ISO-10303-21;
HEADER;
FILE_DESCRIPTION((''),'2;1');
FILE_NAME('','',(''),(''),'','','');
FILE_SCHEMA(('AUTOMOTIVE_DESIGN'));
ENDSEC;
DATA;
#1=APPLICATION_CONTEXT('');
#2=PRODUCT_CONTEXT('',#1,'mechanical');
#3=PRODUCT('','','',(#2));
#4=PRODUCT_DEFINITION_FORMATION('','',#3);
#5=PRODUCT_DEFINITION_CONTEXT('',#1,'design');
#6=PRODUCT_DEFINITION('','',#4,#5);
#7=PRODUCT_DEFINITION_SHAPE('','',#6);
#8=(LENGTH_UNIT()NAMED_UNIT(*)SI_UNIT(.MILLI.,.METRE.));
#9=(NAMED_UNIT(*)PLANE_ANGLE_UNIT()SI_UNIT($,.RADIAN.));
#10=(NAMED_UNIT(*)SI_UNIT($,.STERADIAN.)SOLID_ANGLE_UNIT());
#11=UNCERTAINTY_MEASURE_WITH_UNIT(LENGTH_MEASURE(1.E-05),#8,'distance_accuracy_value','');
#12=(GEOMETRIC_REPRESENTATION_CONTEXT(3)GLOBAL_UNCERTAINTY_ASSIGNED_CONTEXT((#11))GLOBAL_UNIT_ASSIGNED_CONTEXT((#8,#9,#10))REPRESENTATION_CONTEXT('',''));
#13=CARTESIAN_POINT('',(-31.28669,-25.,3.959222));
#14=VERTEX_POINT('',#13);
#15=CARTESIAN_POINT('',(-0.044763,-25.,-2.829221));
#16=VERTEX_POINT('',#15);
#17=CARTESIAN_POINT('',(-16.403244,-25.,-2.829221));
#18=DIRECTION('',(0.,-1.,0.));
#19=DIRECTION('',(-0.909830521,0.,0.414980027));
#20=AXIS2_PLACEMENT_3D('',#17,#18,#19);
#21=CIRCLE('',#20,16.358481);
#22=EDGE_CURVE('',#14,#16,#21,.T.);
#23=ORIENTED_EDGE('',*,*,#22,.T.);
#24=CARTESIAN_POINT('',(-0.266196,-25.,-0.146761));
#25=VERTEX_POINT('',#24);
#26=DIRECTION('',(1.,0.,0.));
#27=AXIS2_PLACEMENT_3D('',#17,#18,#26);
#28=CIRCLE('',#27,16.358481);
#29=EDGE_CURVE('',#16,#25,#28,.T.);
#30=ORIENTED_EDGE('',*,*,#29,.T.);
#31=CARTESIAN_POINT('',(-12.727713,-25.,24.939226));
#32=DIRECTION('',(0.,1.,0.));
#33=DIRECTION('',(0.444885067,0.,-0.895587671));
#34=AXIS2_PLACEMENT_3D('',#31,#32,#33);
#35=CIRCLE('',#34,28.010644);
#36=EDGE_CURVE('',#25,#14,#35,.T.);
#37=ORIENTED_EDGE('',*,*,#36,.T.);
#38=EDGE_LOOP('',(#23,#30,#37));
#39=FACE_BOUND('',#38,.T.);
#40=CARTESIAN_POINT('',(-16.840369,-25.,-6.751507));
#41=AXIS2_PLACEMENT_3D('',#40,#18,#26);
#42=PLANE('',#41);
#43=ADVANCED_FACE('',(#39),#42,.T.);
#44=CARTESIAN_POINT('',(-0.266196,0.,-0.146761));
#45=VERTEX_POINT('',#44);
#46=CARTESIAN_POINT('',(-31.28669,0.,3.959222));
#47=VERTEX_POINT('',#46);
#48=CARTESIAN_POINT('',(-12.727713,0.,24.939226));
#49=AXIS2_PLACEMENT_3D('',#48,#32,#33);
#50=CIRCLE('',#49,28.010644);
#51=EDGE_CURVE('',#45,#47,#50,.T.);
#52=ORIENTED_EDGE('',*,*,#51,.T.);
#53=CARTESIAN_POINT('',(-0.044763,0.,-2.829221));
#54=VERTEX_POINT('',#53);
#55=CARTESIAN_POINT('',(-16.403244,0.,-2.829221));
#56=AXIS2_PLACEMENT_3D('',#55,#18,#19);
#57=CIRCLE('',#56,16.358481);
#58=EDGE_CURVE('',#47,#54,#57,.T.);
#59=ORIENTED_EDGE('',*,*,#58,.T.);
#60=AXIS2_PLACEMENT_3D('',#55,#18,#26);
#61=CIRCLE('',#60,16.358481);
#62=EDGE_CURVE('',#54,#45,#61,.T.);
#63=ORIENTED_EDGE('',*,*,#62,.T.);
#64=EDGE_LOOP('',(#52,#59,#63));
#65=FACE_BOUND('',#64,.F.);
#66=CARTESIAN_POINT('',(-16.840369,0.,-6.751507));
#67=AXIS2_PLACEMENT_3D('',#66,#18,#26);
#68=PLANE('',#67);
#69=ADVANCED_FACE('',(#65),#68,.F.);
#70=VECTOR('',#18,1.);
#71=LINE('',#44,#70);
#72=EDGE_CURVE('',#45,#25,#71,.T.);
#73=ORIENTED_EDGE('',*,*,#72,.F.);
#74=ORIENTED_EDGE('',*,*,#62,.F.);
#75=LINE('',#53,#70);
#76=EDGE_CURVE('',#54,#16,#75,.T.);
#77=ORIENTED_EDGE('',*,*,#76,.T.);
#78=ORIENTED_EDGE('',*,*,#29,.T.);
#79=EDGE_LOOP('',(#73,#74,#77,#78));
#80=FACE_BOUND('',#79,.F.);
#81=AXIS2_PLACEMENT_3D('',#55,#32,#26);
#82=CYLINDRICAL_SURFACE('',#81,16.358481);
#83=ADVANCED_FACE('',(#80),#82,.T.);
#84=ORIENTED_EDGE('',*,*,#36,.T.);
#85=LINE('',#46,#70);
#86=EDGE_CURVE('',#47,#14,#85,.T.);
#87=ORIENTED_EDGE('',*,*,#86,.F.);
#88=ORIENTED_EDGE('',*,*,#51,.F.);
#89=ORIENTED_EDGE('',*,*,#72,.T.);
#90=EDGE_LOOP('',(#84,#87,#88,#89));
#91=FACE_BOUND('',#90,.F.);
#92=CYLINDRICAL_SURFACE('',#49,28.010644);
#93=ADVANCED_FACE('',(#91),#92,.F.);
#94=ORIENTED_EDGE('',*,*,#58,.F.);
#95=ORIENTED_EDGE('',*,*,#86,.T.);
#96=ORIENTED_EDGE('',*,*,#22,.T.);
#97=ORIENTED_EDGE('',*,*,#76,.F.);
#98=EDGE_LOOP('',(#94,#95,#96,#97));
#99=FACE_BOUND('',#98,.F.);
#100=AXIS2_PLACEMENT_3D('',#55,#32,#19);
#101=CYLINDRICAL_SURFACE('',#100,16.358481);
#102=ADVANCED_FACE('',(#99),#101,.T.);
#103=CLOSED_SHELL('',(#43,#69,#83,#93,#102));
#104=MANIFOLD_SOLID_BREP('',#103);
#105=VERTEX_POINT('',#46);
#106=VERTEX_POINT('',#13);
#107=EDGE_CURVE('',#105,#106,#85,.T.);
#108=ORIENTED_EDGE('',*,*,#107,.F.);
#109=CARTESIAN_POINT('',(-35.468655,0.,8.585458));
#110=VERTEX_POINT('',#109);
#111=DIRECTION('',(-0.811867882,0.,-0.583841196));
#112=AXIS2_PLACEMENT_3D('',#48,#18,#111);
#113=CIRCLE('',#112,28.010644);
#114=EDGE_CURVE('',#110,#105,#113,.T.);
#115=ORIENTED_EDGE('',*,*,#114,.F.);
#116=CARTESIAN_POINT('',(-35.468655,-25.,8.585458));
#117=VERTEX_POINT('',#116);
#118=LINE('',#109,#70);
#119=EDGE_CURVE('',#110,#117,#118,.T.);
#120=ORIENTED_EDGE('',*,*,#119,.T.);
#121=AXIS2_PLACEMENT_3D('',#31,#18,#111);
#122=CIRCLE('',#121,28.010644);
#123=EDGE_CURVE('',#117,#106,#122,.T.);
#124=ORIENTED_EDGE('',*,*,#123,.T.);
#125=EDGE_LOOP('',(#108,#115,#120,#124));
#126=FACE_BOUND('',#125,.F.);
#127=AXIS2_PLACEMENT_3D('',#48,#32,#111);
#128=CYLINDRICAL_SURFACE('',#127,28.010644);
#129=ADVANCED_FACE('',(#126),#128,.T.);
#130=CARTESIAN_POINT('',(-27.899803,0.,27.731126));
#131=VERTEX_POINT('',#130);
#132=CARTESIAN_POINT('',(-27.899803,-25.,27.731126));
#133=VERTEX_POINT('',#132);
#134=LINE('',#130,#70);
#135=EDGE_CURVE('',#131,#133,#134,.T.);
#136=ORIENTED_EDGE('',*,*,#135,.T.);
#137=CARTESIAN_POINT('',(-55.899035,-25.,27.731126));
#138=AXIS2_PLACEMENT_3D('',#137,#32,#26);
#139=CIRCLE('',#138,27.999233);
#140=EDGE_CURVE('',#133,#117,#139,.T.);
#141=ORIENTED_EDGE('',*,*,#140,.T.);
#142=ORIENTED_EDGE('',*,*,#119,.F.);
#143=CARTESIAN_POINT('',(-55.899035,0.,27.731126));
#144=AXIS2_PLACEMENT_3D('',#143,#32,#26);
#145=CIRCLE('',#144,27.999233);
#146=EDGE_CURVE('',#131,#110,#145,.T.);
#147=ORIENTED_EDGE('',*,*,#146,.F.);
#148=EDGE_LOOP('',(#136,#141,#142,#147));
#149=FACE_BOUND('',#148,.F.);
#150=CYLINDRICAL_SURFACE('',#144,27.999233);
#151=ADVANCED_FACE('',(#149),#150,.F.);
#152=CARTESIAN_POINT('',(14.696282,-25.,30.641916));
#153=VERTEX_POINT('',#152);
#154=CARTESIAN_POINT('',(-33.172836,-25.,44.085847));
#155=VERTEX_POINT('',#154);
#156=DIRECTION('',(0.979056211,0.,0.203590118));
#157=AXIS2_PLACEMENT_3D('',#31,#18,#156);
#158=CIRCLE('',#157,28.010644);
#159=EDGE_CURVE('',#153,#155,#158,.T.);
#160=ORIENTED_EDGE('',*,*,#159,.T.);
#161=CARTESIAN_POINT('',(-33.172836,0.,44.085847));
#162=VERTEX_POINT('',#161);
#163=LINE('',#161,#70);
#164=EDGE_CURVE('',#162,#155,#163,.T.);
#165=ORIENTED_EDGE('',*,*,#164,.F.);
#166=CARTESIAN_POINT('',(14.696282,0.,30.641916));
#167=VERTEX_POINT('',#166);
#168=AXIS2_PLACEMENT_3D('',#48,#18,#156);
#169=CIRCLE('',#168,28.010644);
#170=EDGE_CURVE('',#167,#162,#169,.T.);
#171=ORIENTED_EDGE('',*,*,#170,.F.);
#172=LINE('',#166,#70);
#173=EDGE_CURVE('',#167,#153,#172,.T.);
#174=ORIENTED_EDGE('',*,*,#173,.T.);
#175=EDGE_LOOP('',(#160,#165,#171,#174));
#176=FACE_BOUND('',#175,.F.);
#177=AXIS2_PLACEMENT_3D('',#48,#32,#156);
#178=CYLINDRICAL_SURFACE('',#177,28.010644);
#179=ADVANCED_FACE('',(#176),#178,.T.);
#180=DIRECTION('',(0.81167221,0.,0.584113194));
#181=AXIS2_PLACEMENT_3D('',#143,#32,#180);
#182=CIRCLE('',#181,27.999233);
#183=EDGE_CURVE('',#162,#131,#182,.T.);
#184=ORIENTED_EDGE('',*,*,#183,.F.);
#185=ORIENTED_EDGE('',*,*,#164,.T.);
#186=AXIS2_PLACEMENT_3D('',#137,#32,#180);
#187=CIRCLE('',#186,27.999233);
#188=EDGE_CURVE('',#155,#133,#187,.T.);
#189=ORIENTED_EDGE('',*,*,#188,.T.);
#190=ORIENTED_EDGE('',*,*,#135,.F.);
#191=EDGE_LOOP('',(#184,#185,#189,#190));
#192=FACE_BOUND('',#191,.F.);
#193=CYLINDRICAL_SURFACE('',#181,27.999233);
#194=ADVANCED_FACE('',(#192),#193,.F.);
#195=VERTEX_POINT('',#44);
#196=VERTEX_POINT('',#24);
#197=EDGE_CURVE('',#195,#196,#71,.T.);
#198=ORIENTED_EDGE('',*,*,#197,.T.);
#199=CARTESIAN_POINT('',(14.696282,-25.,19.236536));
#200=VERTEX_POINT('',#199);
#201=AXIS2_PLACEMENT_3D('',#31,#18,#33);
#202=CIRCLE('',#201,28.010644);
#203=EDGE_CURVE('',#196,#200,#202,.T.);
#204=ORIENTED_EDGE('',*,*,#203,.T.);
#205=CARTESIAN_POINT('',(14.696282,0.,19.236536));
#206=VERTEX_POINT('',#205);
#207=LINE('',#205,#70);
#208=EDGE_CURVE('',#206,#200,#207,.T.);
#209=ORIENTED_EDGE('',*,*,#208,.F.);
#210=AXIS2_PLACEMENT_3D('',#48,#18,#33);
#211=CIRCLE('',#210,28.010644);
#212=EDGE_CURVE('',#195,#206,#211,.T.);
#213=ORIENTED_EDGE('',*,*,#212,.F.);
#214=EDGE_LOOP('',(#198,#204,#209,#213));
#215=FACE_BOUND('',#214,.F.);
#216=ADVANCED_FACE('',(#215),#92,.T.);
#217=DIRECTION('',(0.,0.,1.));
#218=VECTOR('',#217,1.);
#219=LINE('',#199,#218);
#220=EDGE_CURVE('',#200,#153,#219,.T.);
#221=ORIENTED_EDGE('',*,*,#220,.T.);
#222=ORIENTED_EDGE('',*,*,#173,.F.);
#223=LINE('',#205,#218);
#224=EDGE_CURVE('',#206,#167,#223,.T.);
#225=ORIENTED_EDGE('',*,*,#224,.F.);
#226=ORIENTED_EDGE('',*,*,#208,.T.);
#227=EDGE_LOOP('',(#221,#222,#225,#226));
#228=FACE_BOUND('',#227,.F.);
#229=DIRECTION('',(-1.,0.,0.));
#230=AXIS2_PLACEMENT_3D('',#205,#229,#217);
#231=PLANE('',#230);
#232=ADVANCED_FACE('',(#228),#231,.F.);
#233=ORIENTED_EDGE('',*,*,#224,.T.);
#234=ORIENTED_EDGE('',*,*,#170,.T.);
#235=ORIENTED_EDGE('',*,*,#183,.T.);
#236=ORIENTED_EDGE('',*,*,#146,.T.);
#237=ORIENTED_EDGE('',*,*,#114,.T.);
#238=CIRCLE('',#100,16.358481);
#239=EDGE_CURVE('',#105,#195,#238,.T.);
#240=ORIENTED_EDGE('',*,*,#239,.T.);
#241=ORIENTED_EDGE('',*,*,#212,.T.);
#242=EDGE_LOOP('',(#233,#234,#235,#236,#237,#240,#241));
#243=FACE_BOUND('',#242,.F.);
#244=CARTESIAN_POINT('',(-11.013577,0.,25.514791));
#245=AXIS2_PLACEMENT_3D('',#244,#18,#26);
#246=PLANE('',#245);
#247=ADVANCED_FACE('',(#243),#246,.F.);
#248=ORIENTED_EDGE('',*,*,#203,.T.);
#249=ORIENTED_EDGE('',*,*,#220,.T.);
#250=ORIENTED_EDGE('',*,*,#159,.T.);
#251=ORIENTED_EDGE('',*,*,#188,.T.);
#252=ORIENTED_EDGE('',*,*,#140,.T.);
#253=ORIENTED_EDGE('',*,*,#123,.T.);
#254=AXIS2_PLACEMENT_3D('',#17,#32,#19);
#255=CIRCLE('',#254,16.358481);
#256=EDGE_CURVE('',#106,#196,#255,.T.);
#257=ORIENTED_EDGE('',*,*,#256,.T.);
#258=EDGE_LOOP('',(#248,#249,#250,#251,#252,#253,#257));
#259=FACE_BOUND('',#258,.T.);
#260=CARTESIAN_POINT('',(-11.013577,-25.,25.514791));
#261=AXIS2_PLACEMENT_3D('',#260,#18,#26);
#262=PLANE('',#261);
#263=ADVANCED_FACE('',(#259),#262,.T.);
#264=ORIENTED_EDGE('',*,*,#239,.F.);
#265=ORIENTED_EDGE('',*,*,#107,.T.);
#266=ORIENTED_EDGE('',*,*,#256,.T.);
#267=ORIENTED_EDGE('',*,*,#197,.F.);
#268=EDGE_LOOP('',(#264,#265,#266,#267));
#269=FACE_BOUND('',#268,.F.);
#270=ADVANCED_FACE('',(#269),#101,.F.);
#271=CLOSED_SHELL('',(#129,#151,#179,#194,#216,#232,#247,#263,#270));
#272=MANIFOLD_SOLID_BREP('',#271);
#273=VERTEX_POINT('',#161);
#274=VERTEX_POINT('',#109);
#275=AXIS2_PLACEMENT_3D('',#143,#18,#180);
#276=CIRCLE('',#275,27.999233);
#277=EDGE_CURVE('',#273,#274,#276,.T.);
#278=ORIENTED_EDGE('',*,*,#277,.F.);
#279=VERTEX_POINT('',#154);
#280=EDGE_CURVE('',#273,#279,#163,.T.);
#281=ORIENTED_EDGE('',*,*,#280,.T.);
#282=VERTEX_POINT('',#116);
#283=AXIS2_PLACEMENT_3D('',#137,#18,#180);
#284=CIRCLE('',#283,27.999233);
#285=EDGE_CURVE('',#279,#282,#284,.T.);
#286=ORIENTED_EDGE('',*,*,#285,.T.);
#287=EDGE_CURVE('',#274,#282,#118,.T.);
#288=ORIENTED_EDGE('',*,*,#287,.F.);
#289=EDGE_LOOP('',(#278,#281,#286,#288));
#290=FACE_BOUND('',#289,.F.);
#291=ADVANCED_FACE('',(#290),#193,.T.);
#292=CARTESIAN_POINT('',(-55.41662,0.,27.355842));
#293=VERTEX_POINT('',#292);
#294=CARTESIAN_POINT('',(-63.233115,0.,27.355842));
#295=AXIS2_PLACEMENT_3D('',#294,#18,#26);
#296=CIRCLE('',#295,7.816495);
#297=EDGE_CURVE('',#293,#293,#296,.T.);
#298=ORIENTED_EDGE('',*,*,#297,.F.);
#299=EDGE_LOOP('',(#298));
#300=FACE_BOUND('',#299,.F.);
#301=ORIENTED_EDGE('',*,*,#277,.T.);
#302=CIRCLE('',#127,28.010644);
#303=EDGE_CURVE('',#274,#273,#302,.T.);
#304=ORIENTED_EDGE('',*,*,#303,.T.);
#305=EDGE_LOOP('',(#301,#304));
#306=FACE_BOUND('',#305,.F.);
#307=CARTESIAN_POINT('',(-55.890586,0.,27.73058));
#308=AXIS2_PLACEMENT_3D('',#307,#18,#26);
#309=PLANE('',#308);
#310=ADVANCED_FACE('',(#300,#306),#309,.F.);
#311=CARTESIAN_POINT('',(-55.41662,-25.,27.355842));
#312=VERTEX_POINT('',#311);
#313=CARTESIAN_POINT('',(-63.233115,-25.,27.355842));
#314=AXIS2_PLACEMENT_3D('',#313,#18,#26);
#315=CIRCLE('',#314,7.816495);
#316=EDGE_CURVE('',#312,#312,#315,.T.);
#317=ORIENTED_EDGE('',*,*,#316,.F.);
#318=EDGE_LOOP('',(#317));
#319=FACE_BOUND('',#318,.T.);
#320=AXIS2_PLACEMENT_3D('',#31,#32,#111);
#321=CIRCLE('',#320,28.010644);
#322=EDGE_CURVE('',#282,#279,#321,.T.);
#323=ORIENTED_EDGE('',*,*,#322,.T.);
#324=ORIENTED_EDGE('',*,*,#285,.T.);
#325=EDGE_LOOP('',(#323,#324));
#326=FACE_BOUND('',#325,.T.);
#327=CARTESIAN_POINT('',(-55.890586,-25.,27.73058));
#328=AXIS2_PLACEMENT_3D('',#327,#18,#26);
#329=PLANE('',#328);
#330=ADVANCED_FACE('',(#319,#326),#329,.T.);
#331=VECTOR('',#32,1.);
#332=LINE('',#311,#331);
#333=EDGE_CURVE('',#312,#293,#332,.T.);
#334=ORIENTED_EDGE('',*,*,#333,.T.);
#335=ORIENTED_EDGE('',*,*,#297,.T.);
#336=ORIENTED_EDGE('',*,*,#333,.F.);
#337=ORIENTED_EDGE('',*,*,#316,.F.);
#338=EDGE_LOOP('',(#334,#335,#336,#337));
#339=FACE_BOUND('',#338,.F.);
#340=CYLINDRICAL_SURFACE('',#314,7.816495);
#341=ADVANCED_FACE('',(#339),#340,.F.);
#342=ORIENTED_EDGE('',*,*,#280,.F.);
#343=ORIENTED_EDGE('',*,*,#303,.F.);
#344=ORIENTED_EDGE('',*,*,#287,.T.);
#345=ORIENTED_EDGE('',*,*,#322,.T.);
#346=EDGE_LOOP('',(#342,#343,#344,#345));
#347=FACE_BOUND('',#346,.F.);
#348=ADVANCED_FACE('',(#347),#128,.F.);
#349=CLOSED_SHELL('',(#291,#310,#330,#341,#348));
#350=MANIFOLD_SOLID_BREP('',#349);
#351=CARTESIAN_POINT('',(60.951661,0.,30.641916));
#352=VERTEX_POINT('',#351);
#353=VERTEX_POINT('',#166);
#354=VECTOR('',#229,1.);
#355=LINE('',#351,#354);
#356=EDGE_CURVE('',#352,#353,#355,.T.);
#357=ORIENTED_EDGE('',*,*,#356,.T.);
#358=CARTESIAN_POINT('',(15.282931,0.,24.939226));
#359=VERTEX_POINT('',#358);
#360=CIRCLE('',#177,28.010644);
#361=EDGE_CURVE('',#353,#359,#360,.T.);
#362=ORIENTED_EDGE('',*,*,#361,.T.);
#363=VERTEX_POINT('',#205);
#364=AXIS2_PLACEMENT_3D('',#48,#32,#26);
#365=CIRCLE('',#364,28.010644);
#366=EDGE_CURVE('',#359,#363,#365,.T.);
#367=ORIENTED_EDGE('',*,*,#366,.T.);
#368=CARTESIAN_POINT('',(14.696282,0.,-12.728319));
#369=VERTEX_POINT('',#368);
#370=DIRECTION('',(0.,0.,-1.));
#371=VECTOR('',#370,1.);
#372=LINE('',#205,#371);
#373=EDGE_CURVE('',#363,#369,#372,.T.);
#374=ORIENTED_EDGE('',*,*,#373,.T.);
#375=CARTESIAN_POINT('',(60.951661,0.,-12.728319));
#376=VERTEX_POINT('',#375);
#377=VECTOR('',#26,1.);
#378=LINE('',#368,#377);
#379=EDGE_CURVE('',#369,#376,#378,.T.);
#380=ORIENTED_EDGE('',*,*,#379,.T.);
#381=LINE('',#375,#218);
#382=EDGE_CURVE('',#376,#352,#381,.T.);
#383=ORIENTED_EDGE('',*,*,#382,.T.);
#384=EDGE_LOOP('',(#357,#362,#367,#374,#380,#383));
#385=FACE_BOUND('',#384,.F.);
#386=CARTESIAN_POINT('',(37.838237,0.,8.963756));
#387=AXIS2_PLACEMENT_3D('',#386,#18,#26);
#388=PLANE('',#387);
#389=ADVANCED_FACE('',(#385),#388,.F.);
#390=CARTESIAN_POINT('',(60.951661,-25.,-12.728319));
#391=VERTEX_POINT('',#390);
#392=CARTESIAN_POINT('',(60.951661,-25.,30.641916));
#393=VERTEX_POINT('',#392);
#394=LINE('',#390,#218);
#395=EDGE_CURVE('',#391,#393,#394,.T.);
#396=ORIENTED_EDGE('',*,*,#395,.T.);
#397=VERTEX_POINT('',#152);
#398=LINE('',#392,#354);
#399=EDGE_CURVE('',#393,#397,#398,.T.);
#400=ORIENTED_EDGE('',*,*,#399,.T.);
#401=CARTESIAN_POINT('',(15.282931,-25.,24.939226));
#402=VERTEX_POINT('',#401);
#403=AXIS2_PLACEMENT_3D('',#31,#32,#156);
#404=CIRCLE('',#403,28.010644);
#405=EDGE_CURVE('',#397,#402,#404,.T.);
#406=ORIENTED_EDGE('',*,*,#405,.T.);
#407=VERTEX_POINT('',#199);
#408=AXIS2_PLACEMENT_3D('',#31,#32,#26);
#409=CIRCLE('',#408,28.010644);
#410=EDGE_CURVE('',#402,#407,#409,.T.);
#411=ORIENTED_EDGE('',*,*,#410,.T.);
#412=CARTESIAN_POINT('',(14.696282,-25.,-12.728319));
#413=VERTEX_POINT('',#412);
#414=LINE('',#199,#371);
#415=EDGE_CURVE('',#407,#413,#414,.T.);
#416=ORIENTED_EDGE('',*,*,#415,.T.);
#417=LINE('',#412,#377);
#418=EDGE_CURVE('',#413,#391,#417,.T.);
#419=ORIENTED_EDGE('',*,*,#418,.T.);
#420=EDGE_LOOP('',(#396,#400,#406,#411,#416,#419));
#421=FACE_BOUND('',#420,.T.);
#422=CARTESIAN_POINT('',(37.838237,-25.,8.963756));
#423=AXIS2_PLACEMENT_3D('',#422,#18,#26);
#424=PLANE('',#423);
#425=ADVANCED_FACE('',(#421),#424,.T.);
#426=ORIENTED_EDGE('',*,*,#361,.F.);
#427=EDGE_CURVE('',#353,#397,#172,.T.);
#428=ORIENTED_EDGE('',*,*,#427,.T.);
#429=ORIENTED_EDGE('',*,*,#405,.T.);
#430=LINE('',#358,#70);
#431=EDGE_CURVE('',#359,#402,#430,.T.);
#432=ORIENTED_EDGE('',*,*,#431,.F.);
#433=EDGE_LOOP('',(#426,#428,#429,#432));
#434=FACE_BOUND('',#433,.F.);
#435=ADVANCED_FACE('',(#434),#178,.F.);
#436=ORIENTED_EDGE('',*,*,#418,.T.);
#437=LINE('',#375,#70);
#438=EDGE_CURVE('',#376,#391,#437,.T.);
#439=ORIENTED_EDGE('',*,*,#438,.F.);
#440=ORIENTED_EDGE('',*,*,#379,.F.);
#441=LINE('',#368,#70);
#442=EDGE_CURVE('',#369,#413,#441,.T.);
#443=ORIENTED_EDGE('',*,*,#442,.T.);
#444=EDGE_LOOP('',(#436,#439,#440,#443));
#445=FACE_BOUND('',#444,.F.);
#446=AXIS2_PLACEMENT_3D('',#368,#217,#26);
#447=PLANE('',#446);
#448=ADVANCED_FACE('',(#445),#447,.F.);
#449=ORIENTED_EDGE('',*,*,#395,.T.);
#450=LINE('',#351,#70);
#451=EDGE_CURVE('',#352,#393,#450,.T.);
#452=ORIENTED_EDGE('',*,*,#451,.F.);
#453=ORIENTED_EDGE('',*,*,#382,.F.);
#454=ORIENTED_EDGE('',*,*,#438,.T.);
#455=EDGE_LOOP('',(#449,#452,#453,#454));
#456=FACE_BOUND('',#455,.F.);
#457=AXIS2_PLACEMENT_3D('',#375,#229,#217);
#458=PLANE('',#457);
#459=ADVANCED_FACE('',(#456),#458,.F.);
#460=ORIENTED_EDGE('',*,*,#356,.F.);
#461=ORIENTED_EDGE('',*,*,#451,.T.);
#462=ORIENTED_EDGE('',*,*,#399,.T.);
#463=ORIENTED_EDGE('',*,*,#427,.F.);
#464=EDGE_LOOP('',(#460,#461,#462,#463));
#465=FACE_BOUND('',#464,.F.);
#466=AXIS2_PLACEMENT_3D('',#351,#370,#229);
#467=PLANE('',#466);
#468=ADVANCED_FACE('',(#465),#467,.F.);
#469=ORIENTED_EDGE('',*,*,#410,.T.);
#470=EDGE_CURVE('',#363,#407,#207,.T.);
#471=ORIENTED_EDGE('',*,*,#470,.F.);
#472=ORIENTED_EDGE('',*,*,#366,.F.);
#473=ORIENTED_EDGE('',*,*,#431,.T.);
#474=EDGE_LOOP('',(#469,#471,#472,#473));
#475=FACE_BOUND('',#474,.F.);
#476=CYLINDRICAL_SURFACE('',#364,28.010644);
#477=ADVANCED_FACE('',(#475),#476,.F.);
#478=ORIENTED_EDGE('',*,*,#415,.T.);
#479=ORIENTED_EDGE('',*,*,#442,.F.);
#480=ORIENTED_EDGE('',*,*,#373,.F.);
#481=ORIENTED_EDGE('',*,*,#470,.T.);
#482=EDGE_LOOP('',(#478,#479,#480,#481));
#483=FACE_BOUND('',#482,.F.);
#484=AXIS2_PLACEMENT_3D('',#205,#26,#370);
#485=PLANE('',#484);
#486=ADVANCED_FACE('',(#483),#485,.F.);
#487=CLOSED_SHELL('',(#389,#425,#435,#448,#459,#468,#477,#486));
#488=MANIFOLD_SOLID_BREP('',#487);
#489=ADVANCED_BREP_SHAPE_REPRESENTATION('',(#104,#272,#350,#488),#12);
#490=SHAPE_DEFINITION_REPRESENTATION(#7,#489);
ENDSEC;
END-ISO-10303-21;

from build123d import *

# Parameters (mm, degrees)
F1_DEPTH = 25
F2_R     = 7.8164950373
F3_DEPTH = 25


with BuildPart() as f1:
    # F0 (on Front) → F1 (new body)
    with BuildSketch(Plane.XZ):
        with BuildLine():
            ThreePointArc((-35.4686552222, 8.5854582539), (-40.6799664032, 26.7469051904), (-33.1728361824, 44.0858473409))
            ThreePointArc((-33.1728361824, 44.0858473409), (-83.8399010161, 29.5380689547), (-35.4686552222, 8.5854582539))
        make_face()
    extrude(amount=F1_DEPTH)

    # F2 (on face) → F3 (cut)
    with BuildSketch(Plane.XZ.offset(25)):
        with Locations((-63.233114779, 27.3558422923)):
            Circle(F2_R)
    extrude(amount=-F3_DEPTH, mode=Mode.SUBTRACT)


with BuildPart() as f1b:
    # F0 (on Front) → F1, piece 2 (new body)
    with BuildSketch(Plane.XZ):
        with BuildLine():
            ThreePointArc((-33.1728361824, 44.0858473409), (-29.250647267, 36.3230087916), (-27.8998025967, 27.7311261743))
            ThreePointArc((-27.8998025967, 27.7311261743), (-29.8606789966, 17.4373886341), (-35.4686552222, 8.5854582539))
            ThreePointArc((-35.4686552222, 8.5854582539), (-33.5068212225, 6.1555939403), (-31.2866895909, 3.9592222133))
            ThreePointArc((-31.2866895909, 3.9592222133), (-14.2566992524, 13.3878151192), (-0.2661960897, -0.1467612084))
            ThreePointArc((-0.2661960897, -0.1467612084), (9.4452785514, 7.8233094528), (14.6962815069, 19.2365357281))
            Line((14.6962815069, 19.2365357281), (14.6962815069, 30.6419162451))
            ThreePointArc((14.6962815069, 30.6419162451), (-5.1540097886, 51.9065243125), (-33.1728361824, 44.0858473409))
        make_face()
    extrude(amount=F1_DEPTH)


with BuildPart() as f1c:
    # F0 (on Front) → F1, piece 3 (new body)
    with BuildSketch(Plane.XZ):
        with BuildLine():
            ThreePointArc((-0.2661960897, -0.1467612084), (-16.4032441004, -2.8292207693), (-31.2866895909, 3.9592222133))
            ThreePointArc((-31.2866895909, 3.9592222133), (-19.8766677907, -18.8146902859), (-0.0447628813, -2.8292207693))
            ThreePointArc((-0.0447628813, -2.8292207693), (-0.10021517, -1.4834289985), (-0.2661960897, -0.1467612084))
        make_face()
    extrude(amount=F1_DEPTH)


with BuildPart() as f1d:
    # F0 (on Front) → F1, piece 4 (new body)
    with BuildSketch(Plane.XZ):
        with BuildLine():
            Line((60.9516613185, 30.6419162451), (14.6962815069, 30.6419162451))
            ThreePointArc((14.6962815069, 30.6419162451), (15.1358822884, 27.8056188964), (15.2829305244, 24.9392259866))
            ThreePointArc((15.2829305244, 24.9392259866), (15.1358822884, 22.0728330768), (14.6962815069, 19.2365357281))
            Line((14.6962815069, 19.2365357281), (14.6962815069, -12.728318572))
            Line((14.6962815069, -12.728318572), (60.9516613185, -12.728318572))
            Line((60.9516613185, -12.728318572), (60.9516613185, 30.6419162451))
        make_face()
    extrude(amount=F1_DEPTH)


solid = Compound([f1.part, f1b.part, f1c.part, f1d.part])
